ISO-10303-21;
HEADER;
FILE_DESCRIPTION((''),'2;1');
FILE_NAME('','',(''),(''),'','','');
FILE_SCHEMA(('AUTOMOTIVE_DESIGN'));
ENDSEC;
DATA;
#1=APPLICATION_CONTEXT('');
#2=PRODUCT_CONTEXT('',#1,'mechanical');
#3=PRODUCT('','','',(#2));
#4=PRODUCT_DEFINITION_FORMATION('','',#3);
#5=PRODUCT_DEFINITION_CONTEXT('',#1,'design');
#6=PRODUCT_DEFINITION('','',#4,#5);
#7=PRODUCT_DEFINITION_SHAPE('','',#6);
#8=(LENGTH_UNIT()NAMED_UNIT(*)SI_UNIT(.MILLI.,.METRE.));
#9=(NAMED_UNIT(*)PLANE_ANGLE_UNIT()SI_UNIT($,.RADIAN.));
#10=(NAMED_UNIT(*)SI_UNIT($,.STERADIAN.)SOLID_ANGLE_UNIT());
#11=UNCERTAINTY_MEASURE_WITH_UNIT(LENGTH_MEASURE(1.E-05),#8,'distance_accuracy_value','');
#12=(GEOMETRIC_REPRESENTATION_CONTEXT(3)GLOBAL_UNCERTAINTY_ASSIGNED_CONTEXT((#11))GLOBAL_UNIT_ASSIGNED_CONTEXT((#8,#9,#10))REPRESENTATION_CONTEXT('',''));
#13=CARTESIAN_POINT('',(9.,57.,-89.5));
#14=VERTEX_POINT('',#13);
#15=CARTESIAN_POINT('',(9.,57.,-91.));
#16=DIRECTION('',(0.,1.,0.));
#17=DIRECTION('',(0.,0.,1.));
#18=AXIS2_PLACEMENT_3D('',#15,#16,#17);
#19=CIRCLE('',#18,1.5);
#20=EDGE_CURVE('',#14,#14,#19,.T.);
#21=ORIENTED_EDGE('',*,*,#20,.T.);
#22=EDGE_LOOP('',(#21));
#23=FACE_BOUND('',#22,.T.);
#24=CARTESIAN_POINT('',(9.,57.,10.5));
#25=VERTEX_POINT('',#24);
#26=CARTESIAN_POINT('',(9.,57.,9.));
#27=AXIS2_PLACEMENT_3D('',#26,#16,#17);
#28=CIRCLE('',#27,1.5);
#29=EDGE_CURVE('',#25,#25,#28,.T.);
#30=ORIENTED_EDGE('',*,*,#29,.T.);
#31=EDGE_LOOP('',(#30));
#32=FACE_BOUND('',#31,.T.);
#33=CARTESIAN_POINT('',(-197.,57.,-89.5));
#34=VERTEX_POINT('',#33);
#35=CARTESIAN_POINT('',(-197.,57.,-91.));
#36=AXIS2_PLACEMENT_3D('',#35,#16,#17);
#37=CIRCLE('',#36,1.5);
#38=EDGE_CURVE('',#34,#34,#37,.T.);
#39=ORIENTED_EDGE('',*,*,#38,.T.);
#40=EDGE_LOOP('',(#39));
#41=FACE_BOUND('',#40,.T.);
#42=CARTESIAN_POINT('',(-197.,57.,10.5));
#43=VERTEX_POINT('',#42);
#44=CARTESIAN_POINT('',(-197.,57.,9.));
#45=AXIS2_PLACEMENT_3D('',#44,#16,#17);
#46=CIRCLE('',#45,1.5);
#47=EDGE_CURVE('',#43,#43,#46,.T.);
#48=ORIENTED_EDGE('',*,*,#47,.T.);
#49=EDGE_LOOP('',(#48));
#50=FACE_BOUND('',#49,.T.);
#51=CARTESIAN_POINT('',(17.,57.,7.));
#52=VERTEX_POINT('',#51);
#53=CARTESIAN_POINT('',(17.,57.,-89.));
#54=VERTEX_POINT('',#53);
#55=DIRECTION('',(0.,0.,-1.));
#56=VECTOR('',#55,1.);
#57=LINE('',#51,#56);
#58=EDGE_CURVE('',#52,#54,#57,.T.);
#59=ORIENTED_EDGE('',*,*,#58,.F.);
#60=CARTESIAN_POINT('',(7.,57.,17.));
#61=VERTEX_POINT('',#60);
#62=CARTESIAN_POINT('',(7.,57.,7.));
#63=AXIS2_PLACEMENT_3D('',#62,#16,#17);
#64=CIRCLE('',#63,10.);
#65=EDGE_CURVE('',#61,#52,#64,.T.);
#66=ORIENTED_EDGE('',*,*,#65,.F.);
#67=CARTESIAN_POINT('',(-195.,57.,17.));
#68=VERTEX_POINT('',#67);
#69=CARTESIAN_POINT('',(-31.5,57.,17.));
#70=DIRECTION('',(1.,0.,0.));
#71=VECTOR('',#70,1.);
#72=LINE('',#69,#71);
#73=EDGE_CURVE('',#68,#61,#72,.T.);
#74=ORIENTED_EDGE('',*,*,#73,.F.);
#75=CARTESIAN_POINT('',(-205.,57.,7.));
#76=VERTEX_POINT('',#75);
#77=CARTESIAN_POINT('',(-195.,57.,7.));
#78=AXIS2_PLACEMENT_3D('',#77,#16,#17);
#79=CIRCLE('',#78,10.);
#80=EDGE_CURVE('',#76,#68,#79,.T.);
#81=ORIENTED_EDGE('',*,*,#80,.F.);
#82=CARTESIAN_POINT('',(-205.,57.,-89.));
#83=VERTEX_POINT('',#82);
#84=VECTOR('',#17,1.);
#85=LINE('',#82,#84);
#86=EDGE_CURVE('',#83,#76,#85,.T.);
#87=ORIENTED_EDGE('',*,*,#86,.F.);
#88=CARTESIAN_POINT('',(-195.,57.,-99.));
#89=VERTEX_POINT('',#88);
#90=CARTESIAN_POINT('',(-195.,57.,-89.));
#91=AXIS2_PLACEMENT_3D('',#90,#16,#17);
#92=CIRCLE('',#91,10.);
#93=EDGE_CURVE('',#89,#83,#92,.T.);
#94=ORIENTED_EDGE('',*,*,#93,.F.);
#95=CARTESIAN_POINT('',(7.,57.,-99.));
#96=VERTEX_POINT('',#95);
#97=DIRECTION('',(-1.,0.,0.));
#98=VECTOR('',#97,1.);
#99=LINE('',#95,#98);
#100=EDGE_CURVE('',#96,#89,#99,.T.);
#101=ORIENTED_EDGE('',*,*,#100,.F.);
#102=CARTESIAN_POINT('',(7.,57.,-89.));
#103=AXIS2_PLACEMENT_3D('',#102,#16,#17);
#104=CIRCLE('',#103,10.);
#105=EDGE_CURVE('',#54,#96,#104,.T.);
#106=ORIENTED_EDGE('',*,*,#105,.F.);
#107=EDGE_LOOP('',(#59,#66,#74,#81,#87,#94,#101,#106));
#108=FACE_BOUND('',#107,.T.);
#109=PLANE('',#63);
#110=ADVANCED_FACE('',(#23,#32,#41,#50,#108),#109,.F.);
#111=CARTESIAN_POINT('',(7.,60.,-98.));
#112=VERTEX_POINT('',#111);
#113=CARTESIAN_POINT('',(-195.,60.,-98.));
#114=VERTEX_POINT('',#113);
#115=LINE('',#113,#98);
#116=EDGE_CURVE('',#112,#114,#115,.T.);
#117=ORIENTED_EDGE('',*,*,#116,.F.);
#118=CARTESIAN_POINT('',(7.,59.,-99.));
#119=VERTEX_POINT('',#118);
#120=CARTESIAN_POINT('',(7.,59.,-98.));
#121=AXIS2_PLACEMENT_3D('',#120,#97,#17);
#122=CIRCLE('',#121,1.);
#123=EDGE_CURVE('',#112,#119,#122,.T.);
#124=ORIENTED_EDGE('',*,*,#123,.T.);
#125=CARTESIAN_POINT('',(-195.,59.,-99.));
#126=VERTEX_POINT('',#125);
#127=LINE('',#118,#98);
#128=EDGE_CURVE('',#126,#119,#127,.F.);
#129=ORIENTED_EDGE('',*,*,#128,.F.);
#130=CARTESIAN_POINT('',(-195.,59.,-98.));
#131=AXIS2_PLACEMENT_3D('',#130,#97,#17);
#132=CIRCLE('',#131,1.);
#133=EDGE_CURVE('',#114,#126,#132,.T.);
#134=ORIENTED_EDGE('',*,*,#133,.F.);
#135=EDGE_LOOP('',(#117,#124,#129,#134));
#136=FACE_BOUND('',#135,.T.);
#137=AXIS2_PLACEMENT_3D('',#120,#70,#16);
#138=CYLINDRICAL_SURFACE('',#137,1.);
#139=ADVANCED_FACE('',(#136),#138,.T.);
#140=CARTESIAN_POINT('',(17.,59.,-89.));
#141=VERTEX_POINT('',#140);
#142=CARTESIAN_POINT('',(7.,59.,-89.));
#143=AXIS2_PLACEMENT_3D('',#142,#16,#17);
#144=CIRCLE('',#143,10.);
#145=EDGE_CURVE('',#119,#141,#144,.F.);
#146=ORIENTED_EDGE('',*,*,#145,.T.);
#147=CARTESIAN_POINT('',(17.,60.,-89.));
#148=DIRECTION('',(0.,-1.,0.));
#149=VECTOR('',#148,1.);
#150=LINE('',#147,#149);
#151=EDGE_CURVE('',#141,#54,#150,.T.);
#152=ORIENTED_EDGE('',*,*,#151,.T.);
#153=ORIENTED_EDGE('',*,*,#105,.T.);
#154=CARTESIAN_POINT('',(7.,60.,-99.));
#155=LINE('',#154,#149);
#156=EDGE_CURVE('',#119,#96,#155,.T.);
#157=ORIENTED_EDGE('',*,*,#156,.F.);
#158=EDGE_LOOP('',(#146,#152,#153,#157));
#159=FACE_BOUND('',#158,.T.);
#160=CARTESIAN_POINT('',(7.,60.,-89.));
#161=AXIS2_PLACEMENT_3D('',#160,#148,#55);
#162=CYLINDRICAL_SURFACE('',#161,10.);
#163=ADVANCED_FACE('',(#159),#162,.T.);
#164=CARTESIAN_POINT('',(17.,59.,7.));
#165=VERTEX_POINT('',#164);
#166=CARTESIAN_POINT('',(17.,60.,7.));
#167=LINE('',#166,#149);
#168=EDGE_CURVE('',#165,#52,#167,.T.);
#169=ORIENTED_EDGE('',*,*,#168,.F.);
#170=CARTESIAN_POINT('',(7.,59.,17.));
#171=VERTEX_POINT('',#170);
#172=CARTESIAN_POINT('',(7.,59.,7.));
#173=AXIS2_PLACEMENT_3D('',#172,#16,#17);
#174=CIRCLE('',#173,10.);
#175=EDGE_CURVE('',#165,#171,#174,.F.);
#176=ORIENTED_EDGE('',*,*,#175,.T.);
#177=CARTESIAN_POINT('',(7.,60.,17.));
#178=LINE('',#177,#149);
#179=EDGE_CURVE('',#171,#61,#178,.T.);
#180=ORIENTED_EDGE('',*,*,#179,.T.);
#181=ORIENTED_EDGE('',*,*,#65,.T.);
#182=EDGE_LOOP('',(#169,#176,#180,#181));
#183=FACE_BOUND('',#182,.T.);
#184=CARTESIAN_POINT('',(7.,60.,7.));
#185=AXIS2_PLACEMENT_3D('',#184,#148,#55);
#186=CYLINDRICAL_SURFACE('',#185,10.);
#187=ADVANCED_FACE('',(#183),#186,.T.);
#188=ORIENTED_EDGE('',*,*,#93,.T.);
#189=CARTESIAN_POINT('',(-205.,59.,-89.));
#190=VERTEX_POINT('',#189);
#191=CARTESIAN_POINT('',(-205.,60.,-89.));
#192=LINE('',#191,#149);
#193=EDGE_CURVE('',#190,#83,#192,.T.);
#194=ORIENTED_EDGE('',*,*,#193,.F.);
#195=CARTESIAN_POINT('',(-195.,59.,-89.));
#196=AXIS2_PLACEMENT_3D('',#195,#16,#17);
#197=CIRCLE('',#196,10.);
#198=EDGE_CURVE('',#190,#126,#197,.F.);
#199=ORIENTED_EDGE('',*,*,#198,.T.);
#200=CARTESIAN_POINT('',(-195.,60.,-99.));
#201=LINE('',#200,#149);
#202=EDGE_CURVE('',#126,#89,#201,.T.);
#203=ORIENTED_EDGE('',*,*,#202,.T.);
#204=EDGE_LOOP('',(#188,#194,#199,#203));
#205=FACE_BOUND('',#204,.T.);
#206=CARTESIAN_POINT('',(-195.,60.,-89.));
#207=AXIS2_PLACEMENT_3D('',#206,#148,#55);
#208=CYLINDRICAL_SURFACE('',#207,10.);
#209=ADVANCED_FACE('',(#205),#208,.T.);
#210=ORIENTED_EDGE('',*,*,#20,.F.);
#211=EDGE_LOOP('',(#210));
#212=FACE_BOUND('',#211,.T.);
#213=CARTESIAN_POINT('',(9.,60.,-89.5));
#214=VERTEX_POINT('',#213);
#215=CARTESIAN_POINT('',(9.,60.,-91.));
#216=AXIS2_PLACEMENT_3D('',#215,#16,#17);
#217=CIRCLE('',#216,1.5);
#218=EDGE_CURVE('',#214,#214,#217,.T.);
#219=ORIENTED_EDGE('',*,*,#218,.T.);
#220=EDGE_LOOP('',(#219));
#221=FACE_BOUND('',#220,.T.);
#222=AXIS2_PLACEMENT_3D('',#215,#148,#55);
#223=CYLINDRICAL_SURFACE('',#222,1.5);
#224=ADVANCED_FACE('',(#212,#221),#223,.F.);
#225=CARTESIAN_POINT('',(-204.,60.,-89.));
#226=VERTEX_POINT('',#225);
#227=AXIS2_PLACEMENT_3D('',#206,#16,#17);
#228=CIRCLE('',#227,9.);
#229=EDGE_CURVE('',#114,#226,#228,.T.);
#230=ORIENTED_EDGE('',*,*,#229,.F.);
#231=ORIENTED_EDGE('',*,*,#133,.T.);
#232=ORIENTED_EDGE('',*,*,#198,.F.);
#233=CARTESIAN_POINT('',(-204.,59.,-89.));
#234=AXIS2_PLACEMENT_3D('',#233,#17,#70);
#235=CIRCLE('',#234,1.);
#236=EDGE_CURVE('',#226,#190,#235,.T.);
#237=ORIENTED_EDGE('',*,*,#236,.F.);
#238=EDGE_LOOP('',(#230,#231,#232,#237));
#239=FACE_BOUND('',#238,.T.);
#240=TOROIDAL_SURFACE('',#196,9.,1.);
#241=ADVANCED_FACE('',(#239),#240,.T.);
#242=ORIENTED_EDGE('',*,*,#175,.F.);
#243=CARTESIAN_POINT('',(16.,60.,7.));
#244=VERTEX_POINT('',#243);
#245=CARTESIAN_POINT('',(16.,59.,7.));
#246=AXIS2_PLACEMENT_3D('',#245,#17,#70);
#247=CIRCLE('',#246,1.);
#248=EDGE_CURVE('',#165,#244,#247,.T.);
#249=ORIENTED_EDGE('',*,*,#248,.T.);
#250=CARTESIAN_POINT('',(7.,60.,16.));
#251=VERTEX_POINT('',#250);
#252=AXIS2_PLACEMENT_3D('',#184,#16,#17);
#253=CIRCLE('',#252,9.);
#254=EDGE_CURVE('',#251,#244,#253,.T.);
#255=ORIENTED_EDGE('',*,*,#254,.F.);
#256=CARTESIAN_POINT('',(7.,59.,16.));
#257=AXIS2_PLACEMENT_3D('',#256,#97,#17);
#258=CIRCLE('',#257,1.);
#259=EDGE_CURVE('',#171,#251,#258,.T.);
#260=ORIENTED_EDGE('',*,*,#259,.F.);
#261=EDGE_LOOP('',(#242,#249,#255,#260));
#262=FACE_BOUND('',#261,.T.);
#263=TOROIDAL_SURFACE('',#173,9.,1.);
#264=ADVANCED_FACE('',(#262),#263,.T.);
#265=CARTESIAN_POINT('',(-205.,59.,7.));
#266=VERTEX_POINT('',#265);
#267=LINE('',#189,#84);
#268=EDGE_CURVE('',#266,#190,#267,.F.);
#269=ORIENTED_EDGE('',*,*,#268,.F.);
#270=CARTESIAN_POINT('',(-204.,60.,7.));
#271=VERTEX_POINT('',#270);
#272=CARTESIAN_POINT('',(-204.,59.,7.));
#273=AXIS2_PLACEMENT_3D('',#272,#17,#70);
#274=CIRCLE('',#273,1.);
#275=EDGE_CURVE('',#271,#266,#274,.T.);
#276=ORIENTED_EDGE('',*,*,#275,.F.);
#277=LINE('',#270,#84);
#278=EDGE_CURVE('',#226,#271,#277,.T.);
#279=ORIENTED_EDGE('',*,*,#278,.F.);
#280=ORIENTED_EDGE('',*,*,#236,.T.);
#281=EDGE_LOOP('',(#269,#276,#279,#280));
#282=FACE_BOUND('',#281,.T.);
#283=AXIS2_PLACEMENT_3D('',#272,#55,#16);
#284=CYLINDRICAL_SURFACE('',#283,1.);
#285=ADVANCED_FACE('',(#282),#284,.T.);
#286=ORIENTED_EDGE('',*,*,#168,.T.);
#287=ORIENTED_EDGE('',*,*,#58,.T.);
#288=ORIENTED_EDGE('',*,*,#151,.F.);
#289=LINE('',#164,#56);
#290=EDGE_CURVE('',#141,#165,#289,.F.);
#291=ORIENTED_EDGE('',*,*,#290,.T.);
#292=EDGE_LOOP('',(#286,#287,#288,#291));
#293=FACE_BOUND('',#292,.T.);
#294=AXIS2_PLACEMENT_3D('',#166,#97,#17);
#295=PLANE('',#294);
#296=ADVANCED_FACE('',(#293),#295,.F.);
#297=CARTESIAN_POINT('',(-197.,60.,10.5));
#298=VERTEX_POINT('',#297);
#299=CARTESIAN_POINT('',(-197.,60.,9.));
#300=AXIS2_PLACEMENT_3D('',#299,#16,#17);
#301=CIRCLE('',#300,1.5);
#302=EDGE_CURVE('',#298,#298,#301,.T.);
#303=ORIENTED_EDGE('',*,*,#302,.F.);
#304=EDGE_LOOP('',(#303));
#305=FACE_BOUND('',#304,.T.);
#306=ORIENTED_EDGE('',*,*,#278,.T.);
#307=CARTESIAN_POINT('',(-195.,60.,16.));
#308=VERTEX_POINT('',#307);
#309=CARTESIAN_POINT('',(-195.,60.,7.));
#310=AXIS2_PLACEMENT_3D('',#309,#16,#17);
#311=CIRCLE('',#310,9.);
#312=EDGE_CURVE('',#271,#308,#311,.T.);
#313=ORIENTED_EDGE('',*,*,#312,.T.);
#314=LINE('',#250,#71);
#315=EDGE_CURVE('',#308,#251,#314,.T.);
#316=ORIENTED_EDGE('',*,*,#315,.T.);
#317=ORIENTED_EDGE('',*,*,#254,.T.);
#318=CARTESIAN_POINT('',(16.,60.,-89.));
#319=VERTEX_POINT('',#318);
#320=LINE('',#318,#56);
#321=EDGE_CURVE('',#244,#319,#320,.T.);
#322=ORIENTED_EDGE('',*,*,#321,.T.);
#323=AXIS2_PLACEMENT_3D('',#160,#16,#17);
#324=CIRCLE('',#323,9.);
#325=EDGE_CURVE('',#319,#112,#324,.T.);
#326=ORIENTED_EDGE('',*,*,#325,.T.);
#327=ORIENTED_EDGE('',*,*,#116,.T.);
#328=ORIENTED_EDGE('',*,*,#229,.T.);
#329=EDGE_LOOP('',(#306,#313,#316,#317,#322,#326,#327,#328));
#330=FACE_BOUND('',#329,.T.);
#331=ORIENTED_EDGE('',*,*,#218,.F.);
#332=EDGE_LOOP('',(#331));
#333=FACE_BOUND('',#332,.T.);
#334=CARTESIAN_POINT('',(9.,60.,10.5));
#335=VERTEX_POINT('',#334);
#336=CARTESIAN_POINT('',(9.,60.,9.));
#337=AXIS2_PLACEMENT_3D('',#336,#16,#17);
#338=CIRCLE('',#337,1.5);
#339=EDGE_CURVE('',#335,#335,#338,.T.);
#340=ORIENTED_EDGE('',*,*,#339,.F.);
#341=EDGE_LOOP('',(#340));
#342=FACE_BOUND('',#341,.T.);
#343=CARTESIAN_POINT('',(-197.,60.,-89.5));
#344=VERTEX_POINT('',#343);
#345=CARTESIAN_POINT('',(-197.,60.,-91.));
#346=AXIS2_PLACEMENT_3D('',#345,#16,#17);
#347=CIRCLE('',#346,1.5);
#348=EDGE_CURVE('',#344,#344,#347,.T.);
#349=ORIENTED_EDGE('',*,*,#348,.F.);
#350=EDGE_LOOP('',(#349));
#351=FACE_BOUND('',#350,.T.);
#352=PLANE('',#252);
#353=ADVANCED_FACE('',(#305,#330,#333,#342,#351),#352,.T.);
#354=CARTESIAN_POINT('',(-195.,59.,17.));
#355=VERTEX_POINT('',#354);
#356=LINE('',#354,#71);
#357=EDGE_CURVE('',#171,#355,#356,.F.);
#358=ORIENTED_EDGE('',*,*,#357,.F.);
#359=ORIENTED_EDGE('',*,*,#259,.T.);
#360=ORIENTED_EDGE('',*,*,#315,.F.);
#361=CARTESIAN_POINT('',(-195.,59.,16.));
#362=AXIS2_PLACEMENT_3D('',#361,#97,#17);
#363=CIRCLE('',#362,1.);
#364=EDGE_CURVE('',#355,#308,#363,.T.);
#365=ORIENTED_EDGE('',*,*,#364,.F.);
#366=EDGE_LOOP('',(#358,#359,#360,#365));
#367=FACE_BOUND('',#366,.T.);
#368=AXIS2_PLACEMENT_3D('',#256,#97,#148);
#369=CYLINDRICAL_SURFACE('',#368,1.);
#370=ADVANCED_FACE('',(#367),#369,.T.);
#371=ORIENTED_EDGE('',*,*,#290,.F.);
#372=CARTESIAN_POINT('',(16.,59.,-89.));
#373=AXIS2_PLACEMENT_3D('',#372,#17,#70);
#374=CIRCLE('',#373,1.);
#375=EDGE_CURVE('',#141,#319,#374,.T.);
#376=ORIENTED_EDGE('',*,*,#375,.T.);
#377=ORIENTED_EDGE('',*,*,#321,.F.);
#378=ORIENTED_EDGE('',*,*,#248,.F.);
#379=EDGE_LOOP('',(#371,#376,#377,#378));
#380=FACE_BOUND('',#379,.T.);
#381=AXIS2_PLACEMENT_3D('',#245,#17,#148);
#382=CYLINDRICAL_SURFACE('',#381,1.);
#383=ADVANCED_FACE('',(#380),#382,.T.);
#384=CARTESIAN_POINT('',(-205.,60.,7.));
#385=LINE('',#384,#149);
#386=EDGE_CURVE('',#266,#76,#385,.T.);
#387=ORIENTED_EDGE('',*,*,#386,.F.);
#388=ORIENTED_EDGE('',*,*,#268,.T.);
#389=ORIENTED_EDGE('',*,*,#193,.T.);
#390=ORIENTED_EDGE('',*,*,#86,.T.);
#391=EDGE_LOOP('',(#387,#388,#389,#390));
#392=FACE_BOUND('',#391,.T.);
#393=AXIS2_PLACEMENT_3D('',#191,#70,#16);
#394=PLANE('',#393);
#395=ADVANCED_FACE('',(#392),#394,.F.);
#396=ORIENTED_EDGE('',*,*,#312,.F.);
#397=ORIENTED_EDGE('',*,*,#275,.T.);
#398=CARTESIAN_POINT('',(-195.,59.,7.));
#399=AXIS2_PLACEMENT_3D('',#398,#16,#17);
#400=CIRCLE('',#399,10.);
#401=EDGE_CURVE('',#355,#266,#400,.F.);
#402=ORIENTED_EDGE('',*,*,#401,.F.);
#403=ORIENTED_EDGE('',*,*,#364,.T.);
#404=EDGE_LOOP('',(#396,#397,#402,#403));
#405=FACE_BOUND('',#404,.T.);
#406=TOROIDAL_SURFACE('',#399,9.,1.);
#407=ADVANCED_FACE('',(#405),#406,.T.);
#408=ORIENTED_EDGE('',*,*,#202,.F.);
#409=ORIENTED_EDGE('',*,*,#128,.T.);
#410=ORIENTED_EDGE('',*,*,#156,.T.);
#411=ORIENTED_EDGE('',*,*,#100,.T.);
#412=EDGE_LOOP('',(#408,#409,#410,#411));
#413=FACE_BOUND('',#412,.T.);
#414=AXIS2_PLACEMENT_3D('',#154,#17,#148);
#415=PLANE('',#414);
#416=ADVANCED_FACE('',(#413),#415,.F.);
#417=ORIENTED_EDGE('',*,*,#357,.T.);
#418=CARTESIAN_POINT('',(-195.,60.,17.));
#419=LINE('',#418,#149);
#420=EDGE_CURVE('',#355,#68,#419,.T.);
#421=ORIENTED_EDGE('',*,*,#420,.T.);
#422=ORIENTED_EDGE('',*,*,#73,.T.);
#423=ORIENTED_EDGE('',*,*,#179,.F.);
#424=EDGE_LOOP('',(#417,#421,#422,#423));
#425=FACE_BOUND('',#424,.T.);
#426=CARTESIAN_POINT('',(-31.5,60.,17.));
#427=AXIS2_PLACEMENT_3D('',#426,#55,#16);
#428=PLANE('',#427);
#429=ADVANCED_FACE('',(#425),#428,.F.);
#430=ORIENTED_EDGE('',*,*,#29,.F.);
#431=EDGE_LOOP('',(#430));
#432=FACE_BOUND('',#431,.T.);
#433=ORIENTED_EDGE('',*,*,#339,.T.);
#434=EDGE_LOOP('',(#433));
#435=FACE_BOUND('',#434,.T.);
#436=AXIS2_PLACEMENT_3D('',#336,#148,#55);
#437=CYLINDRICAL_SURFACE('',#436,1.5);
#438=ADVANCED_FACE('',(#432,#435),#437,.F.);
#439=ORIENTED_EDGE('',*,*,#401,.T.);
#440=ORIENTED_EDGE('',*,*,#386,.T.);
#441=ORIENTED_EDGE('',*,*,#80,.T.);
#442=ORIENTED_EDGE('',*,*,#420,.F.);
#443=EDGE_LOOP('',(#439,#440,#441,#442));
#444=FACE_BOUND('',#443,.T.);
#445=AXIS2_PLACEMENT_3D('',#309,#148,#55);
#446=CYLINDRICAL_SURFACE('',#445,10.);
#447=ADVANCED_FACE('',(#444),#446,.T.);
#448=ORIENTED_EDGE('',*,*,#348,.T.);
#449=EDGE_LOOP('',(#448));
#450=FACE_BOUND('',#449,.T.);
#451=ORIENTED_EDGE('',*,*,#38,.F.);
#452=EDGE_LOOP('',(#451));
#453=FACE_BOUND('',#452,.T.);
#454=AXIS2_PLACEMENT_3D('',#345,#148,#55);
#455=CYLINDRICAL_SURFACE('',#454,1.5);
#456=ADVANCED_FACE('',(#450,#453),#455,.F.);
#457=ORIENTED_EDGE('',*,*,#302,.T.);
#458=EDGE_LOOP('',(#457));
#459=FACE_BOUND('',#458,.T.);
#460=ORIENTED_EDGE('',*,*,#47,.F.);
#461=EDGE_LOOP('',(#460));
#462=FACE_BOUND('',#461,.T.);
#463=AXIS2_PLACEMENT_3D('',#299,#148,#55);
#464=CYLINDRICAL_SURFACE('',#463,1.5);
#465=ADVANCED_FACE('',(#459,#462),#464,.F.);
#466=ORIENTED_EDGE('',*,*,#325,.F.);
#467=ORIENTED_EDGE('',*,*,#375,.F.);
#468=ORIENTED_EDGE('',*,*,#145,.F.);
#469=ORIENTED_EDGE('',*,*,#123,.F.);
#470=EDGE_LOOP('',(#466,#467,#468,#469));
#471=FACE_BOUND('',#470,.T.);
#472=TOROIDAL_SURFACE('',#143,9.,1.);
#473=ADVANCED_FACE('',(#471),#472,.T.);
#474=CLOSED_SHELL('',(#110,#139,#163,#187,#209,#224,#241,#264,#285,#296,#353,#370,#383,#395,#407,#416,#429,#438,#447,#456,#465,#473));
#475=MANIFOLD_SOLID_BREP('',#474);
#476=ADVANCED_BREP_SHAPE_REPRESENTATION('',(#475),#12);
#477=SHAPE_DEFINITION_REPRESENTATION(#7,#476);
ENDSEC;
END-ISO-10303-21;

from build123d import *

# Parameters (mm, degrees)
SKETCH1_R           = 1.5
BOSS_EXTRUDE1_DEPTH = 3
FILLET1_R           = 1


with BuildPart() as part:
    # Sketch1 → Boss-Extrude1 (new body)
    with BuildSketch(Plane(origin=(0, 57, 0), x_dir=(1, 0, 0), z_dir=(0, 1, 0))):
        with BuildLine():
            Line((-31.5, -17), (-26.5, -17))
            Line((-26.5, -17), (7, -17))
            ThreePointArc((7, -17), (14.071067812, -14.071067812), (17, -7))
            Line((17, -7), (17, 89))
            ThreePointArc((17, 89), (14.071067812, 96.071067812), (7, 99))
            Line((7, 99), (-195, 99))
            ThreePointArc((-195, 99), (-202.071067812, 96.071067812), (-205, 89))
            Line((-205, 89), (-205, -7))
            ThreePointArc((-205, -7), (-202.071067812, -14.071067812), (-195, -17))
            Line((-195, -17), (-31.5, -17))
        make_face()
        with Locations(Location((-197, 91, 0), (0, 0, 270))):
            Circle(SKETCH1_R, mode=Mode.SUBTRACT)
        with Locations(Location((9, 91, 0), (0, 0, 270))):
            Circle(SKETCH1_R, mode=Mode.SUBTRACT)
        with Locations(Location((9, -9, 0), (0, 0, 270))):
            Circle(SKETCH1_R, mode=Mode.SUBTRACT)
        with Locations(Location((-197, -9, 0), (0, 0, 270))):
            Circle(SKETCH1_R, mode=Mode.SUBTRACT)
    extrude(amount=BOSS_EXTRUDE1_DEPTH)

    # Fillet1
    fillet1_edges = [part.edges().sort_by_distance(p)[0] for p in [
        (17, 60, -41),
        (14.071067812, 60, -96.071067812),
        (-94, 60, -99),
        (-202.071067812, 60, -96.071067812),
        (-205, 60, -41),
        (-202.071067812, 60, 14.071067812),
        (-94, 60, 17),
        (14.071067812, 60, 14.071067812),
    ]]
    fillet(fillet1_edges, radius=FILLET1_R)


solid = part.part
